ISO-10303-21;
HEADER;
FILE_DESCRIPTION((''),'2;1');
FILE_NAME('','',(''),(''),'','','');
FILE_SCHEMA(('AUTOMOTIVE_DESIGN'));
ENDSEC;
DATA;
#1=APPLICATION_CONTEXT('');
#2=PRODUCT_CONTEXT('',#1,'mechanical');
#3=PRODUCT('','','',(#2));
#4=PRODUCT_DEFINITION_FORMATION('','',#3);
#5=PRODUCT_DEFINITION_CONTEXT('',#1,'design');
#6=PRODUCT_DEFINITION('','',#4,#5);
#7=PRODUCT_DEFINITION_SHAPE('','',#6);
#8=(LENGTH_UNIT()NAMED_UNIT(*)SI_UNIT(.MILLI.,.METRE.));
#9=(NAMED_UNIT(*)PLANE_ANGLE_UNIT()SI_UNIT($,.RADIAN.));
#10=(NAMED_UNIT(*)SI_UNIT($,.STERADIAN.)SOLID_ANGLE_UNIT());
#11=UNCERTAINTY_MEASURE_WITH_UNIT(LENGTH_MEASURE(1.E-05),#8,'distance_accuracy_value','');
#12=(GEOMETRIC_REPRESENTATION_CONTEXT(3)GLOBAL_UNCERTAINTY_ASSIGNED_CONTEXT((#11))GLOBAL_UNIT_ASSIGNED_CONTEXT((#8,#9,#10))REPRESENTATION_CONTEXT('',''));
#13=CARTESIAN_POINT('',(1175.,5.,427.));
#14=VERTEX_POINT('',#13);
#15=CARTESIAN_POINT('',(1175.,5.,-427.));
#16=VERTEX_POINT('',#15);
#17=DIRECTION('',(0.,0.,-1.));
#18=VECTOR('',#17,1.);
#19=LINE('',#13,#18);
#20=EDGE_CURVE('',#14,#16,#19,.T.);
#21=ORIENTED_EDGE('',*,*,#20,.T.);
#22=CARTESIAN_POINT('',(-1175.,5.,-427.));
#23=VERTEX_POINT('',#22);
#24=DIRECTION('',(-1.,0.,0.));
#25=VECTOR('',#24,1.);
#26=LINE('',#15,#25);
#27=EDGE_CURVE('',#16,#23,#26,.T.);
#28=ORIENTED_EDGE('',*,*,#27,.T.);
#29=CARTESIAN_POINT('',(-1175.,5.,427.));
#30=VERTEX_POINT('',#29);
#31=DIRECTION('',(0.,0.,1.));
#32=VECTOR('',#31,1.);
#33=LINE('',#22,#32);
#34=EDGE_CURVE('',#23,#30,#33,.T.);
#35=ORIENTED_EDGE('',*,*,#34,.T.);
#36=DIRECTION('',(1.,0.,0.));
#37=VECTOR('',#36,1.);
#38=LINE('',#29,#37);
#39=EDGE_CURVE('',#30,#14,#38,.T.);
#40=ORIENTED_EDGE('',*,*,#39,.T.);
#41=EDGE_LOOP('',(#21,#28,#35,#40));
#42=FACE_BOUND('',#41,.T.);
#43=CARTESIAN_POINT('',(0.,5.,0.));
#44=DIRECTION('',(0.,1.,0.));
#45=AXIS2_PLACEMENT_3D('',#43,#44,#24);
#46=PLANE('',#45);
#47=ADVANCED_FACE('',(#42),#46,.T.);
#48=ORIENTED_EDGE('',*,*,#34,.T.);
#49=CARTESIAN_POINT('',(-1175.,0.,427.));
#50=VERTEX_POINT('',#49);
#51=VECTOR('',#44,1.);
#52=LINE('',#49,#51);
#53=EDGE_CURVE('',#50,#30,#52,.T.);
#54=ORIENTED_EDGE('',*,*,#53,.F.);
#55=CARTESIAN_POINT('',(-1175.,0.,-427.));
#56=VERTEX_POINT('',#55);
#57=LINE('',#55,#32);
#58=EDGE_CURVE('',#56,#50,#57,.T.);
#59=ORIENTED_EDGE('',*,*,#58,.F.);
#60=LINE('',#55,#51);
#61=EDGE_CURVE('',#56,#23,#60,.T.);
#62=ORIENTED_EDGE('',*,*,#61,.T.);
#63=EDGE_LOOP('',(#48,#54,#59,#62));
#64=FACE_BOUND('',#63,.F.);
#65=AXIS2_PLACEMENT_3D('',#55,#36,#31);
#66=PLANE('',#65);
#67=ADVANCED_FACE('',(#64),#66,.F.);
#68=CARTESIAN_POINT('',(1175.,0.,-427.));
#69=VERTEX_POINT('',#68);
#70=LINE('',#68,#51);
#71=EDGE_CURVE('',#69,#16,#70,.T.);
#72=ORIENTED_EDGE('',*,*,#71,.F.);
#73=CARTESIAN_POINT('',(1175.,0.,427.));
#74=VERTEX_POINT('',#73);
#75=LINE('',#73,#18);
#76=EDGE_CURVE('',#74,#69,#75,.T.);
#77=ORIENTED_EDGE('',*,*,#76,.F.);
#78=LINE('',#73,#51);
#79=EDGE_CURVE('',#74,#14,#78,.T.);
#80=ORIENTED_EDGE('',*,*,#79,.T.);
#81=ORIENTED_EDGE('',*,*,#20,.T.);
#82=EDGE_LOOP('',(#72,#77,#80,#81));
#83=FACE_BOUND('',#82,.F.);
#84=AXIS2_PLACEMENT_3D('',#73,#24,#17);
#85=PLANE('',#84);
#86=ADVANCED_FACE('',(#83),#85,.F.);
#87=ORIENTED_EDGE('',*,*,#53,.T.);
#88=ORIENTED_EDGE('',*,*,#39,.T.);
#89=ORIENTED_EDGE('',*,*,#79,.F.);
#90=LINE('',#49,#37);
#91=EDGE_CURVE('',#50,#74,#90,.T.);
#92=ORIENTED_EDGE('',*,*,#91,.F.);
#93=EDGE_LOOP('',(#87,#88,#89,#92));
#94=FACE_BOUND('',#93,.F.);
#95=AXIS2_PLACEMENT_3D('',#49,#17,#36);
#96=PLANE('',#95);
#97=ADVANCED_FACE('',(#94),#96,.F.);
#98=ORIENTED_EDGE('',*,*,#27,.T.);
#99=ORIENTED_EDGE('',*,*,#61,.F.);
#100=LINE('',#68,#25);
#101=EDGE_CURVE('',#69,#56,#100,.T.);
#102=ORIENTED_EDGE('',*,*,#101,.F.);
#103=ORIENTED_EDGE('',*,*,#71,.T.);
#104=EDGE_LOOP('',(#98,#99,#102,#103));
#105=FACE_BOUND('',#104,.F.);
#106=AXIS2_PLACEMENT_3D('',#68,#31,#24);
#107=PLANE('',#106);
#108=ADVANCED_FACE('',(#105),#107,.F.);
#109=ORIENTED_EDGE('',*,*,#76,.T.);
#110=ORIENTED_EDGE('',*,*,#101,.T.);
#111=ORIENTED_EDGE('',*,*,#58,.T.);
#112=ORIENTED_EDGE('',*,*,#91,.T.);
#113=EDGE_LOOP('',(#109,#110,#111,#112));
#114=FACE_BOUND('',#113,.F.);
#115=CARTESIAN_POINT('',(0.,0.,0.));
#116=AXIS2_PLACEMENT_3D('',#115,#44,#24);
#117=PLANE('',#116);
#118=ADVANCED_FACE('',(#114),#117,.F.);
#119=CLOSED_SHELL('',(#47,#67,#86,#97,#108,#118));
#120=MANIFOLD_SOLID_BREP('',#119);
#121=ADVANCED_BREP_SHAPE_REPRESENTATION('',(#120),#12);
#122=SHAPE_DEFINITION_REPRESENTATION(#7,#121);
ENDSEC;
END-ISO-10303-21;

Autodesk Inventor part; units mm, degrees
ref_plane "YZ Plane" through (0, 0, 0) normal (1, 0, 0) x (0, 1, 0)
ref_plane "XZ Plane" through (0, 0, 0) normal (0, 1, 0) x (-1, 0, 0)
ref_plane "XY Plane" through (0, 0, 0) normal (0, 0, 1) x (1, 0, 0)
sketch "Эскиз1" plane through (0, 0, 0) normal (0, 1, 0) x (-1, 0, 0)
  line L0 (1175, 427) -> (-1175, 427)
  line L1 (-1175, 427) -> (-1175, -427)
  line L2 (-1175, -427) -> (1175, -427)
  line L3 (1175, -427) -> (1175, 427)
  line L4 (1175, 427) -> (-1175, -427) construction
  line L5 (-1175, 427) -> (1175, -427) construction
  point P0 (0, 0)
  dimension "d0" = 2350
  dimension "d1" = 854
extrude "Пластина1" add sketch "Эскиз1" along normal blind 5
equation "\"d2\" = Толщина"
equation "\"Радиус_гибки\" = Толщина"
equation "\"Ширина_просечки\" = Толщина"
equation "\"Глубина_просечки\" = 0.5 * Толщина"
equation "\"Радиус_перехода\" = Радиус_гибки"
equation "\"Радиус_Якоби\" = Радиус_гибки"
equation "\"Размер_зазора\" = Толщина"
equation "\"Толщина\" = 5"
properties part number "GBK bottom 0111" material "Steel"
